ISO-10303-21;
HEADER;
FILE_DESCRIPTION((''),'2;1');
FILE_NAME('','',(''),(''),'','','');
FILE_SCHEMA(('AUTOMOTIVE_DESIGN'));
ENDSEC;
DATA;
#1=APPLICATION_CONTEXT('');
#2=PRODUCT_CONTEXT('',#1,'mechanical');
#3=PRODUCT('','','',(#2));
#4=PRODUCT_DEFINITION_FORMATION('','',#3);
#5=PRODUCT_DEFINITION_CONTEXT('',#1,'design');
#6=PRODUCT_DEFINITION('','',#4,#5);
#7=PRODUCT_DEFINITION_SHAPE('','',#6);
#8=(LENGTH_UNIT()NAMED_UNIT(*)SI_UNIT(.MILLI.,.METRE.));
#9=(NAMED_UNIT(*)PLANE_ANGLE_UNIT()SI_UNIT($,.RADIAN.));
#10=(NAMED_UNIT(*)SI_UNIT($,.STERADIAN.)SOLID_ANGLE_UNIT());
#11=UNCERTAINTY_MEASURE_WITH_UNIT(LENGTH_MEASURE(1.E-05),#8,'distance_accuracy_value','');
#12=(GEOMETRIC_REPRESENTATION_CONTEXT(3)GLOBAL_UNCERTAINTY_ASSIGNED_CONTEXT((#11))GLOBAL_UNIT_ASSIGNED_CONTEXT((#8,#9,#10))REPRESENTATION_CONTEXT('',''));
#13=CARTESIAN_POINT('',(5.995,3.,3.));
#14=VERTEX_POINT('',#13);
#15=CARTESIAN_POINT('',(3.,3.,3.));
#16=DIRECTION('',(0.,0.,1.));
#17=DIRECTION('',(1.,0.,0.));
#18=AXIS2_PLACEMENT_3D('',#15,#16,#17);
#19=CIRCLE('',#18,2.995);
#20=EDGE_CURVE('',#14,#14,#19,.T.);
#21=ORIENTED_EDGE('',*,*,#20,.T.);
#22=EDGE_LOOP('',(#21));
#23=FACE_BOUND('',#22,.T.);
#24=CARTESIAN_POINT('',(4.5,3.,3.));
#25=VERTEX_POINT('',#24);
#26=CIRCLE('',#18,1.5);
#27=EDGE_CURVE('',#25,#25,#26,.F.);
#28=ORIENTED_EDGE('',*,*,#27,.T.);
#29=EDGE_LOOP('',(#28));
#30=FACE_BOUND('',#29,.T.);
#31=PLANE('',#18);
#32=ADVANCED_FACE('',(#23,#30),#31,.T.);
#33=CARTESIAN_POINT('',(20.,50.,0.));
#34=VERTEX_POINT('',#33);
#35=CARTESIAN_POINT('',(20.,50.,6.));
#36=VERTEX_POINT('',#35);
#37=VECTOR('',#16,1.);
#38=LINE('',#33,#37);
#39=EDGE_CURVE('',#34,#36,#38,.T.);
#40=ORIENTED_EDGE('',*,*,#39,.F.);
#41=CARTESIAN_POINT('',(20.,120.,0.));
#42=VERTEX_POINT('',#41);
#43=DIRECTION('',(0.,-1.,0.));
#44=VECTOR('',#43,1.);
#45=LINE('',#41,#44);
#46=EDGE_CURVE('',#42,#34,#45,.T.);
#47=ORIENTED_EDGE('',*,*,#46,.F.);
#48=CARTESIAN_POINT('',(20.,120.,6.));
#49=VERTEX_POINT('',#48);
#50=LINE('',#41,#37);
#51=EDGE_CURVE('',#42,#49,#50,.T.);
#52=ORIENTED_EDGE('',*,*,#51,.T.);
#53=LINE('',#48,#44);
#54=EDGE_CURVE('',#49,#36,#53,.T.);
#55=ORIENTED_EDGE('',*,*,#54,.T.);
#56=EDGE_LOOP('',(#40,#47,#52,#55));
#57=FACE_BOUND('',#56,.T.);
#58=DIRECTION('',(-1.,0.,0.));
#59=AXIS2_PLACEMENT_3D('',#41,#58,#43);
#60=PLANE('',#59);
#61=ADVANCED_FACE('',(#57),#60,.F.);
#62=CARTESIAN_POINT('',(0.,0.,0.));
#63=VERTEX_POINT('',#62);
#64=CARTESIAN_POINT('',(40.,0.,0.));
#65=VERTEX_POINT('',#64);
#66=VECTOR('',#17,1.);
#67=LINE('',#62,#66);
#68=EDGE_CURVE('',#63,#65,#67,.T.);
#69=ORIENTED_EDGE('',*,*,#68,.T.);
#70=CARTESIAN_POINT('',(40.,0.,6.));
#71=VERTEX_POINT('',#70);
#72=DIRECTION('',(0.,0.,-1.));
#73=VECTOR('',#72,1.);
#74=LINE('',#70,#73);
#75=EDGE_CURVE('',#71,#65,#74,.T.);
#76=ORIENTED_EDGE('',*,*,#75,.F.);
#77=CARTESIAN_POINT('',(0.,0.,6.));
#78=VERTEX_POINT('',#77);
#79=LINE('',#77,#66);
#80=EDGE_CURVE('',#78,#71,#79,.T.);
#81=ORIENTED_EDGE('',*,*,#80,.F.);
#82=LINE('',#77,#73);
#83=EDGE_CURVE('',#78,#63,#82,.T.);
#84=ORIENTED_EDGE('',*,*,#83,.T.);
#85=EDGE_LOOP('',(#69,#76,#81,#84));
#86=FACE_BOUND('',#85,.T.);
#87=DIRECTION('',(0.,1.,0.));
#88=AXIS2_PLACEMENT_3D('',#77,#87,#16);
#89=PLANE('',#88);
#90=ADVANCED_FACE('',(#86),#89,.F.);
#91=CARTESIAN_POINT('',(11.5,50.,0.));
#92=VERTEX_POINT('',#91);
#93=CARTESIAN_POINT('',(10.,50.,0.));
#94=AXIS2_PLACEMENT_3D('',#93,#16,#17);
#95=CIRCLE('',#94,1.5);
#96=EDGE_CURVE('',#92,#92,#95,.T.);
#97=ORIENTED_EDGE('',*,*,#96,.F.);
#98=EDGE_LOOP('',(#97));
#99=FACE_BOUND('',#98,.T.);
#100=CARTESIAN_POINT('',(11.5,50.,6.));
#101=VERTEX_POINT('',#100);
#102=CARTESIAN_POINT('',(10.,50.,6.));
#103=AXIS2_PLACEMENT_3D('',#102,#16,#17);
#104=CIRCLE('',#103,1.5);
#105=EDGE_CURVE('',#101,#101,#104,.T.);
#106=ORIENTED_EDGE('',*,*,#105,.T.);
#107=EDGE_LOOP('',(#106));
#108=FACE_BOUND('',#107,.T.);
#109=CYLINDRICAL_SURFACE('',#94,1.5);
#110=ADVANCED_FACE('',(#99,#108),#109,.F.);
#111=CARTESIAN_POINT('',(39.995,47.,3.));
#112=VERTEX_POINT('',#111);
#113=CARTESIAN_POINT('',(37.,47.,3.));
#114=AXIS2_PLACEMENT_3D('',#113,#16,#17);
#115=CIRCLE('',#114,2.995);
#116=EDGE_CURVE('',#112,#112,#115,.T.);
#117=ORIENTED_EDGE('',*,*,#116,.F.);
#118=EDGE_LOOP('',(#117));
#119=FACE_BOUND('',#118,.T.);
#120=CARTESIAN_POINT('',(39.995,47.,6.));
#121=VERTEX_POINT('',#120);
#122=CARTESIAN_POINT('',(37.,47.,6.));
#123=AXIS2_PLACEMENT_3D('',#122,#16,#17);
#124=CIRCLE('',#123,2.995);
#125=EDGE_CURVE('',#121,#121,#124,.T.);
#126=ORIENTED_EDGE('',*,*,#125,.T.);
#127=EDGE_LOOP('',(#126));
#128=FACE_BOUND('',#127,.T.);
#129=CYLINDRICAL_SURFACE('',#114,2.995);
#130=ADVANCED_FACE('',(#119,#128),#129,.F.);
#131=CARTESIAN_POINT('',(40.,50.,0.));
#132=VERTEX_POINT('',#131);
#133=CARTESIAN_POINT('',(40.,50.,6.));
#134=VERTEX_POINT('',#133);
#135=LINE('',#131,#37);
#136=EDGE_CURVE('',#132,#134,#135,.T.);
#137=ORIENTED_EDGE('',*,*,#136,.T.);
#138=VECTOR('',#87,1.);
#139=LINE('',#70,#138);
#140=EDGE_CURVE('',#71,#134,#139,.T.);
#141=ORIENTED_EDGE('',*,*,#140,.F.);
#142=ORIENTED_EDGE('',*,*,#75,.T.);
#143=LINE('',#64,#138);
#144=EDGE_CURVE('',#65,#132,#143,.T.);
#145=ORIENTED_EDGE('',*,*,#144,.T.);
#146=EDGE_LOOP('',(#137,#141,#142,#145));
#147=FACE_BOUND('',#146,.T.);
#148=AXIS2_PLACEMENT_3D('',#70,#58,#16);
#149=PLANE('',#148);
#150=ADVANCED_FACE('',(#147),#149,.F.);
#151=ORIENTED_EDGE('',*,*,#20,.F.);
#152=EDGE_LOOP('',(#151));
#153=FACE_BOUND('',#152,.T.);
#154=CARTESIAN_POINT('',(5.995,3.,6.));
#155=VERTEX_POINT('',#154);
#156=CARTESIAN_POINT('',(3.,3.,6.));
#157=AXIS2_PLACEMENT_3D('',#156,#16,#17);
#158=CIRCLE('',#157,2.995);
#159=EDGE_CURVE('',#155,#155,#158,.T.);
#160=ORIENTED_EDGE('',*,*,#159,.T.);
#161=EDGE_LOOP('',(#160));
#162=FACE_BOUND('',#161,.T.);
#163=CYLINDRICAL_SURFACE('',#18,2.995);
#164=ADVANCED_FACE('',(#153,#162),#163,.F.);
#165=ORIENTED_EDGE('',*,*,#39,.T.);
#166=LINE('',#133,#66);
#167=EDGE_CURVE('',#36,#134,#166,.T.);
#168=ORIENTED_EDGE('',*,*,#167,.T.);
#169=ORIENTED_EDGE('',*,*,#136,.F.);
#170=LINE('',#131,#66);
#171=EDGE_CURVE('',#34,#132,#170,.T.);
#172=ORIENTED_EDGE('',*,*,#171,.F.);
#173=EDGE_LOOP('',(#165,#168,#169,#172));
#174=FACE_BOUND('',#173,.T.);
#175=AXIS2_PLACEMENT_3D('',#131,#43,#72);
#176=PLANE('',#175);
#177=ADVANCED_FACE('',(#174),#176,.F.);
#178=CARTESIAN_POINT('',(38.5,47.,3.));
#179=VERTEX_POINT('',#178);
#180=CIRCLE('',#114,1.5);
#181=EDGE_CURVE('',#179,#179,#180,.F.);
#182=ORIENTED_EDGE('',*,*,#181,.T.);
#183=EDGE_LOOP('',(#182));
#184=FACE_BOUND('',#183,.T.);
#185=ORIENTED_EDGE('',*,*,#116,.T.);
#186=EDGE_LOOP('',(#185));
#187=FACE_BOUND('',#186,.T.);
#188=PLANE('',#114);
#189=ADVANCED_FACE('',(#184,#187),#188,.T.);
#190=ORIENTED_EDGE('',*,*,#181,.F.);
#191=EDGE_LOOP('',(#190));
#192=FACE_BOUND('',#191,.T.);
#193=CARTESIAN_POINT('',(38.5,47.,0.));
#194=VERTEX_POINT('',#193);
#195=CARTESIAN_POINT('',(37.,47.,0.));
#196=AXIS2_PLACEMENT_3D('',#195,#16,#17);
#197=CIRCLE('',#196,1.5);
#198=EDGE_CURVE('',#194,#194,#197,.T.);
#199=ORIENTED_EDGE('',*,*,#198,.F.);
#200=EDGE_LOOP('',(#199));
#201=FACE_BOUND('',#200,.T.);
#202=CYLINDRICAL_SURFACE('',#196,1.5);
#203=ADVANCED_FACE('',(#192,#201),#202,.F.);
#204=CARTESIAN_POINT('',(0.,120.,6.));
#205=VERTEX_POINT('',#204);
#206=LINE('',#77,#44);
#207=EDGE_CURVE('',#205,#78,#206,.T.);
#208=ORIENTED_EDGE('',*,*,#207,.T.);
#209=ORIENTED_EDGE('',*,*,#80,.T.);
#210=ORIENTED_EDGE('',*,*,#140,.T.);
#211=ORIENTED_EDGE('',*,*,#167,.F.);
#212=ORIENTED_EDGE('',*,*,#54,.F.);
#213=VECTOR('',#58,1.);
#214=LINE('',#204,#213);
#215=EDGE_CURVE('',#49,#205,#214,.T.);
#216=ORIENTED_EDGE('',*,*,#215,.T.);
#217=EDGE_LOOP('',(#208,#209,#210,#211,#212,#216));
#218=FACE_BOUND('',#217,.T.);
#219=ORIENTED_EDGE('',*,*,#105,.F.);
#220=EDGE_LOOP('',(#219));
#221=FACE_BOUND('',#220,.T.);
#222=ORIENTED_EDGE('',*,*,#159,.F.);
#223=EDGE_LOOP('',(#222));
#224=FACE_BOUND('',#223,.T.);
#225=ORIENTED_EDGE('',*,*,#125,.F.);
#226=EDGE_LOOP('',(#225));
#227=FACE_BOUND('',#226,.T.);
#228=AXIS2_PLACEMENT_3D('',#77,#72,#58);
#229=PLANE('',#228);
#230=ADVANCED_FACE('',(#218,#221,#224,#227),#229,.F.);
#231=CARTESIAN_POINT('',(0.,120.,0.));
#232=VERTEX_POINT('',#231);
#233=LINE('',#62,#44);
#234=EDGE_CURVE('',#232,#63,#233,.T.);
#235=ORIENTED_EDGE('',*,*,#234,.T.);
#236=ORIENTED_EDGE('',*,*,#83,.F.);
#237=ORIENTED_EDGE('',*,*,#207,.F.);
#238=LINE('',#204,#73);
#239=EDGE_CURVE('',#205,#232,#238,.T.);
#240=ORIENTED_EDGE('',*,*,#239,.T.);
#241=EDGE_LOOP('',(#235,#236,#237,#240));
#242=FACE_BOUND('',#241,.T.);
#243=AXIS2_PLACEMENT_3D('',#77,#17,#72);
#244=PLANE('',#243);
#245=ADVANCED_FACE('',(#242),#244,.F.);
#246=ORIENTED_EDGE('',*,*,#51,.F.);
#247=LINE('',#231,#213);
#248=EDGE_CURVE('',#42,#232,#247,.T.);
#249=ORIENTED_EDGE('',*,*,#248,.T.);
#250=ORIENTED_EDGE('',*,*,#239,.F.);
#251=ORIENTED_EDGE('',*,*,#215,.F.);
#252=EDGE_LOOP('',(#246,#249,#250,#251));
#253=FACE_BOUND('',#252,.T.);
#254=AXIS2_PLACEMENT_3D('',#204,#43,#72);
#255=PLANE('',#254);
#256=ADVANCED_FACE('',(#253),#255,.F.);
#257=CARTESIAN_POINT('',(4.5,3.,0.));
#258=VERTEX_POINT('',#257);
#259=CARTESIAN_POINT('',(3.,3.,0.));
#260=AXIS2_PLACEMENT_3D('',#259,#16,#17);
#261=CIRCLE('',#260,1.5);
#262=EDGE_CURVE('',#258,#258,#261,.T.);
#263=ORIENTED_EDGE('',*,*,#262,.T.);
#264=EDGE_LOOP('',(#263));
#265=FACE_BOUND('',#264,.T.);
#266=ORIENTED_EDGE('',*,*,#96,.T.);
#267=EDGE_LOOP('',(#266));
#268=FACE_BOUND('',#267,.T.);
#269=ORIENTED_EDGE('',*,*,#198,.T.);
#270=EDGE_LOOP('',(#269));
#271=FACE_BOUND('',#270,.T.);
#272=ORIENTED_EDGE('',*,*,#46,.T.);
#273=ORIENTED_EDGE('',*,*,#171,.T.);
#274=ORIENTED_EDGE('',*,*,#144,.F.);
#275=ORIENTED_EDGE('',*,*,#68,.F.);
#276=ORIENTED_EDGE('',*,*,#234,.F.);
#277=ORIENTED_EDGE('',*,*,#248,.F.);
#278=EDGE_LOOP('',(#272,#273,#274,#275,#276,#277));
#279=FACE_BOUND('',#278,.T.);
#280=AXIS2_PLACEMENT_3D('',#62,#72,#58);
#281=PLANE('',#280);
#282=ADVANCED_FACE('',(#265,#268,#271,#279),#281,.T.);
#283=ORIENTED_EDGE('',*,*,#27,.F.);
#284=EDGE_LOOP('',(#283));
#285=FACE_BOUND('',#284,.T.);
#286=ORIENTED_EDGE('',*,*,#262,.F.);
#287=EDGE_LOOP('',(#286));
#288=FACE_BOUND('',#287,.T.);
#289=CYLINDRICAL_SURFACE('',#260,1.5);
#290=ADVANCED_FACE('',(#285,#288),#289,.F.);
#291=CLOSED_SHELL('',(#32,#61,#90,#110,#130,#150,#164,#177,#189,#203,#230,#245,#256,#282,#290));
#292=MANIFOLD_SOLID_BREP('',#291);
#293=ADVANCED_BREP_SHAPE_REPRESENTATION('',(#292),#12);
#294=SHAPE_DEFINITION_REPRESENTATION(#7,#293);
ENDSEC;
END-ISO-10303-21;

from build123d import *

# Parameters (mm, degrees)
ESQUISSE1_W             = 40
ESQUISSE1_H             = 120
BOSS_EXTRU_1_DEPTH      = 6
ESQUISSE2_W             = 20
ESQUISSE2_H             = 70
ENL_V_MAT_EXTRU_1_DEPTH = 6
ESQUISSE3_R             = 1.5
ENL_V_MAT_EXTRU_2_DEPTH = 6
ESQUISSE4_R             = 2.995
ENL_V_MAT_EXTRU_3_DEPTH = 3
ESQUISSE6_R             = 1.5
ENL_V_MAT_EXTRU_4_DEPTH = 6


with BuildPart() as part:
    # Esquisse1 → Boss.-Extru.1 (new body)
    with BuildSketch(Plane.XY):
        with Locations((20, 60)):
            Rectangle(ESQUISSE1_W, ESQUISSE1_H)
    extrude(amount=BOSS_EXTRU_1_DEPTH)

    # Esquisse2 → Enlèv. mat.-Extru.1 (cut)
    with BuildSketch(Plane.XY.offset(6)):
        with Locations((30, 85)):
            Rectangle(ESQUISSE2_W, ESQUISSE2_H)
    extrude(amount=-ENL_V_MAT_EXTRU_1_DEPTH, mode=Mode.SUBTRACT)

    # Esquisse3 → Enlèv. mat.-Extru.2 (cut)
    with BuildSketch(Plane.XY.offset(6)):
        with Locations((3, 3)):
            Circle(ESQUISSE3_R)
        with Locations((37, 47)):
            Circle(ESQUISSE3_R)
    extrude(amount=-ENL_V_MAT_EXTRU_2_DEPTH, mode=Mode.SUBTRACT)

    # Esquisse4 → Enlèv. mat.-Extru.3 (cut)
    with BuildSketch(Plane.XY.offset(6)):
        with Locations((3, 3)):
            Circle(ESQUISSE4_R)
        with Locations((37, 47)):
            Circle(ESQUISSE4_R)
    extrude(amount=-ENL_V_MAT_EXTRU_3_DEPTH, mode=Mode.SUBTRACT)

    # Esquisse6 → Enlèv. mat.-Extru.4 (cut)
    with BuildSketch(Plane.XY.offset(6)):
        with Locations((10, 50)):
            Circle(ESQUISSE6_R)
    extrude(amount=-ENL_V_MAT_EXTRU_4_DEPTH, mode=Mode.SUBTRACT)


solid = part.part
